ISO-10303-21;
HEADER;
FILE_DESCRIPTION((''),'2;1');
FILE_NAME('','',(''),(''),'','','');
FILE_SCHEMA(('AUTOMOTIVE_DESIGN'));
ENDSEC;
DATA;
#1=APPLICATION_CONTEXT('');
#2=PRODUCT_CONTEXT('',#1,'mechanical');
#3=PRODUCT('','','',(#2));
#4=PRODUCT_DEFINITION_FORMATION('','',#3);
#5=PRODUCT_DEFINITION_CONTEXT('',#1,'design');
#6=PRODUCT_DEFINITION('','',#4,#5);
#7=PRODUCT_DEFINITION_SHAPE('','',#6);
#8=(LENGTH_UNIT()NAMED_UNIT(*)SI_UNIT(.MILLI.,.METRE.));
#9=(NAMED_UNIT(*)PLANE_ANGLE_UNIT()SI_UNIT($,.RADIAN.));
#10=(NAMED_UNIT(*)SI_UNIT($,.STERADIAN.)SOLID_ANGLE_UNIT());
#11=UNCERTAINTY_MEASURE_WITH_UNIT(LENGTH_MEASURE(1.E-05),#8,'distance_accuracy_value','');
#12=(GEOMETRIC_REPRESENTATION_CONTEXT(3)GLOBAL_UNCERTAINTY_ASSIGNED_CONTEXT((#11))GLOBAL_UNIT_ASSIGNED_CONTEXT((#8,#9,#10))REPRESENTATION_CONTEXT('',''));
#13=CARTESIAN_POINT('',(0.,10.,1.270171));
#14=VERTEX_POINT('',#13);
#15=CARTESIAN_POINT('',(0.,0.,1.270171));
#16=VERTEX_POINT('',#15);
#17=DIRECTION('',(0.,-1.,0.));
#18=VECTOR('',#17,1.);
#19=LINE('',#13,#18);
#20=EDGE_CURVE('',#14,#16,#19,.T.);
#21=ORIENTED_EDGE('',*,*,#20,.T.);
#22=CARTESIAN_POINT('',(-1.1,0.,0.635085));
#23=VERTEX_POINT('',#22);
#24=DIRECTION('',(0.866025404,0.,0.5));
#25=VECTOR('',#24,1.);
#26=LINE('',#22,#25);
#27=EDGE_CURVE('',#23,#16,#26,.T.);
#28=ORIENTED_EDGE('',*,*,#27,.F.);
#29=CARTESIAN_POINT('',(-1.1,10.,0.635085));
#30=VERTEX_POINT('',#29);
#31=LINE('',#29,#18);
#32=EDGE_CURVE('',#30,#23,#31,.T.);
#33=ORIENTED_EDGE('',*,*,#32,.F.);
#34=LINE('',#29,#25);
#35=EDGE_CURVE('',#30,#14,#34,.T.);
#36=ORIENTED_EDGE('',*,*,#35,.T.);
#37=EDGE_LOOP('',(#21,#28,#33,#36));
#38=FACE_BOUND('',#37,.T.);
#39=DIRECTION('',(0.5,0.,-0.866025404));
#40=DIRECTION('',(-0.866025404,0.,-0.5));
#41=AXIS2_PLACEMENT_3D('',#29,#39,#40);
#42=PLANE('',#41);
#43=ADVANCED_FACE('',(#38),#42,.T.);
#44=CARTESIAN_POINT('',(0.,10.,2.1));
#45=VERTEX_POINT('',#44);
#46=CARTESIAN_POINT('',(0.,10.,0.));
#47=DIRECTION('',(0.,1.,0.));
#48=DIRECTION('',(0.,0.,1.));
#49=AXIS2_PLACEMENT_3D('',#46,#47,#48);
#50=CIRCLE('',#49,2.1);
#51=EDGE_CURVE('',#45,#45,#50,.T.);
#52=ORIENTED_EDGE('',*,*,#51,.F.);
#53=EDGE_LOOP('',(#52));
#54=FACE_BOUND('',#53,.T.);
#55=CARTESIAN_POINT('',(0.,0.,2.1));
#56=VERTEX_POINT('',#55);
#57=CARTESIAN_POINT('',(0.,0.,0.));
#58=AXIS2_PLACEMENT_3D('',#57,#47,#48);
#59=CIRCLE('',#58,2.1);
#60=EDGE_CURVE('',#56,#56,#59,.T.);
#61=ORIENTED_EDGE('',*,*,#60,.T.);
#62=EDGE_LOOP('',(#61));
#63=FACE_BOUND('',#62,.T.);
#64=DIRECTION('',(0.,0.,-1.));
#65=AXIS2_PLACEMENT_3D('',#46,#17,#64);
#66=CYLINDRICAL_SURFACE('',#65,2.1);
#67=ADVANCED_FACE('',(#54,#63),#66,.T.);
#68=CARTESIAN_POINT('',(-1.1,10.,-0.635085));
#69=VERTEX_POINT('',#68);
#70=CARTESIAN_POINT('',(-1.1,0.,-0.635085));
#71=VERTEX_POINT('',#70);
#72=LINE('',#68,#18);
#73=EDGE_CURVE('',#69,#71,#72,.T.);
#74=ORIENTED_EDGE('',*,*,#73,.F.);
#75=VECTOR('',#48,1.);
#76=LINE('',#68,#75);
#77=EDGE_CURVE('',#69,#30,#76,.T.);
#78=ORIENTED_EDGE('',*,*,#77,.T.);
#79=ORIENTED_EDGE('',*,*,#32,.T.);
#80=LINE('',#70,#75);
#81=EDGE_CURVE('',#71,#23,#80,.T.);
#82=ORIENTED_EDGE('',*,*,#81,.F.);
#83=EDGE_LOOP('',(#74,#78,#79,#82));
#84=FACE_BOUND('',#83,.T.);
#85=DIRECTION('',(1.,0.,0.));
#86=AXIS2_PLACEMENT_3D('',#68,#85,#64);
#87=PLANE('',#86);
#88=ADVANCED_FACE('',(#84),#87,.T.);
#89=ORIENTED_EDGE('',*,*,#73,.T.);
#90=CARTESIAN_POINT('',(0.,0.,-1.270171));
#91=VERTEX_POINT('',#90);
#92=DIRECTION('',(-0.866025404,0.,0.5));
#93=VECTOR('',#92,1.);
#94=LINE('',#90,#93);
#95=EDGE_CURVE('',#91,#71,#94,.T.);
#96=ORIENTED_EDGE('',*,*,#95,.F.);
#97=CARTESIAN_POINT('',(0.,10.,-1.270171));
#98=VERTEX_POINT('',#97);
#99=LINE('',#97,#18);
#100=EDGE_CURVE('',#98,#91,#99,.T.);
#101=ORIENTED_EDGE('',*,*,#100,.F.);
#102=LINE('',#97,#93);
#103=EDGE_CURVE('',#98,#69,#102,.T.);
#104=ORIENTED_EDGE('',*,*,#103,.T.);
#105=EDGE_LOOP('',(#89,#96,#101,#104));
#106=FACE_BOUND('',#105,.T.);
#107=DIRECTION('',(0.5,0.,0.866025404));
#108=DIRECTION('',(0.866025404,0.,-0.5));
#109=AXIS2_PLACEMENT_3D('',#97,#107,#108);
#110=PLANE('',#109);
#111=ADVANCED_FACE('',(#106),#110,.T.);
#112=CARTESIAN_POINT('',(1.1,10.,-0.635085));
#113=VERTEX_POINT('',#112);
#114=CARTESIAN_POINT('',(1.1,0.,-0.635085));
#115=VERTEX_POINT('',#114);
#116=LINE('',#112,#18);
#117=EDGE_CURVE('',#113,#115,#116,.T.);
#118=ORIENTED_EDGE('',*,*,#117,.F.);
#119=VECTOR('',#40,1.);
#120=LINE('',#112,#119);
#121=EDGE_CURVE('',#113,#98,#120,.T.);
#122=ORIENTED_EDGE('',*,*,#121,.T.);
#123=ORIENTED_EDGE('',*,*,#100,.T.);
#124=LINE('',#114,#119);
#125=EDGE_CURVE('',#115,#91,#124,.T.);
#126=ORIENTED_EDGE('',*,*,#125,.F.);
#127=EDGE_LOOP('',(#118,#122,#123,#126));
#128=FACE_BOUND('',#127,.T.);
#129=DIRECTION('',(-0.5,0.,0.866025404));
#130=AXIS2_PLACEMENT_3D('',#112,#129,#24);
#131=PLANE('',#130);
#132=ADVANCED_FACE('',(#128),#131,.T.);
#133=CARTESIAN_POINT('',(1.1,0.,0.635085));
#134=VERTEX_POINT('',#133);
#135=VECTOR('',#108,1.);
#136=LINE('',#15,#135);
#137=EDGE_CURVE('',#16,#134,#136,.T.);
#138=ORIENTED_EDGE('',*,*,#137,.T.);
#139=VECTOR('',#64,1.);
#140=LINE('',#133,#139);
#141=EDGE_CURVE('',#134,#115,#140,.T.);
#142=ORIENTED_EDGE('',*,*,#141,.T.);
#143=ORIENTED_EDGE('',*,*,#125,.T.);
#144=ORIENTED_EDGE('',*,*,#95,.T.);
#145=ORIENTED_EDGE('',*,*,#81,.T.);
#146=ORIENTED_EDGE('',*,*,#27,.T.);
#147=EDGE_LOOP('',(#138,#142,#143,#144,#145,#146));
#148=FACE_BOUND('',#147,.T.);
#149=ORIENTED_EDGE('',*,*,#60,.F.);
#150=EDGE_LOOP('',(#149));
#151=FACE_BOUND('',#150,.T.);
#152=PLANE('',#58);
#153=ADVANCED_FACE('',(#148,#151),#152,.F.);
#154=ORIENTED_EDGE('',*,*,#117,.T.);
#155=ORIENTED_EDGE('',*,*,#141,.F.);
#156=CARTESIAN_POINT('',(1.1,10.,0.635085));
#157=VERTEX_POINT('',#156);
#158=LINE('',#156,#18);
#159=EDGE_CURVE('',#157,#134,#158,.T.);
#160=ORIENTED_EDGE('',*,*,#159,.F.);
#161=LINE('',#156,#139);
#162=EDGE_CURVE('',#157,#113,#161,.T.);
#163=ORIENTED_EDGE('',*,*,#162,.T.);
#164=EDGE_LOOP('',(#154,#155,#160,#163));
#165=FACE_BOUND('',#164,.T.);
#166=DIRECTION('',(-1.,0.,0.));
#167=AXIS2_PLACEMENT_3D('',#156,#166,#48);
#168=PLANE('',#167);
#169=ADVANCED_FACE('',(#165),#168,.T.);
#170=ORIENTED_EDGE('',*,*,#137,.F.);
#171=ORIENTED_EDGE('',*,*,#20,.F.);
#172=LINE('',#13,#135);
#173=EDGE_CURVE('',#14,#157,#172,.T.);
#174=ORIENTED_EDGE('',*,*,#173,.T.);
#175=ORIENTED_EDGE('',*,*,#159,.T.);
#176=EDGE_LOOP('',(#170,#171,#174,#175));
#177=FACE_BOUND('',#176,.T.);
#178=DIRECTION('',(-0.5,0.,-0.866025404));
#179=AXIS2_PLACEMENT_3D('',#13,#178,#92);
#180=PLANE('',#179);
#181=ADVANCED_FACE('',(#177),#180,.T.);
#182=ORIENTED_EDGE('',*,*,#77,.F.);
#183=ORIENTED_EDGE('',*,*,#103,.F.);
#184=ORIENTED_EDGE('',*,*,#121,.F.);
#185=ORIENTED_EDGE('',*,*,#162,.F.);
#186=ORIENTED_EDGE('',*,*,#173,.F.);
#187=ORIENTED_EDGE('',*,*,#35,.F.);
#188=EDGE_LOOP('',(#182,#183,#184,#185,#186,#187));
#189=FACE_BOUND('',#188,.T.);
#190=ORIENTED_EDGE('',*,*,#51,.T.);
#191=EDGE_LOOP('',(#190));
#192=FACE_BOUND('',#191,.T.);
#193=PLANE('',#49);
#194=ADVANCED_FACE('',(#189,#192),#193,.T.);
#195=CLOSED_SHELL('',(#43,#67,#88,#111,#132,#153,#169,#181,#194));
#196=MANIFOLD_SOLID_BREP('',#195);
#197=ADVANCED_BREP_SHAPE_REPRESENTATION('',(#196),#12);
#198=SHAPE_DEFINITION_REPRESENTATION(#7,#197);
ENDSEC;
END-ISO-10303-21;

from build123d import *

# Parameters (mm, degrees)
SKETCH1_R           = 2.1
BOSS_EXTRUDE1_DEPTH = 10


with BuildPart() as part:
    # Sketch1 → Boss-Extrude1 (new body)
    with BuildSketch(Plane(origin=(0, 0, 0), x_dir=(1, 0, 0), z_dir=(0, 1, 0))):
        Circle(SKETCH1_R)
        Polygon((1.1, -0.635085296), (1.1, 0.635085296), (0, 1.270170592), (-1.1, 0.635085296), (-1.1, -0.635085296), (0, -1.270170592), align=None, mode=Mode.SUBTRACT)
    extrude(amount=BOSS_EXTRUDE1_DEPTH)


solid = part.part
